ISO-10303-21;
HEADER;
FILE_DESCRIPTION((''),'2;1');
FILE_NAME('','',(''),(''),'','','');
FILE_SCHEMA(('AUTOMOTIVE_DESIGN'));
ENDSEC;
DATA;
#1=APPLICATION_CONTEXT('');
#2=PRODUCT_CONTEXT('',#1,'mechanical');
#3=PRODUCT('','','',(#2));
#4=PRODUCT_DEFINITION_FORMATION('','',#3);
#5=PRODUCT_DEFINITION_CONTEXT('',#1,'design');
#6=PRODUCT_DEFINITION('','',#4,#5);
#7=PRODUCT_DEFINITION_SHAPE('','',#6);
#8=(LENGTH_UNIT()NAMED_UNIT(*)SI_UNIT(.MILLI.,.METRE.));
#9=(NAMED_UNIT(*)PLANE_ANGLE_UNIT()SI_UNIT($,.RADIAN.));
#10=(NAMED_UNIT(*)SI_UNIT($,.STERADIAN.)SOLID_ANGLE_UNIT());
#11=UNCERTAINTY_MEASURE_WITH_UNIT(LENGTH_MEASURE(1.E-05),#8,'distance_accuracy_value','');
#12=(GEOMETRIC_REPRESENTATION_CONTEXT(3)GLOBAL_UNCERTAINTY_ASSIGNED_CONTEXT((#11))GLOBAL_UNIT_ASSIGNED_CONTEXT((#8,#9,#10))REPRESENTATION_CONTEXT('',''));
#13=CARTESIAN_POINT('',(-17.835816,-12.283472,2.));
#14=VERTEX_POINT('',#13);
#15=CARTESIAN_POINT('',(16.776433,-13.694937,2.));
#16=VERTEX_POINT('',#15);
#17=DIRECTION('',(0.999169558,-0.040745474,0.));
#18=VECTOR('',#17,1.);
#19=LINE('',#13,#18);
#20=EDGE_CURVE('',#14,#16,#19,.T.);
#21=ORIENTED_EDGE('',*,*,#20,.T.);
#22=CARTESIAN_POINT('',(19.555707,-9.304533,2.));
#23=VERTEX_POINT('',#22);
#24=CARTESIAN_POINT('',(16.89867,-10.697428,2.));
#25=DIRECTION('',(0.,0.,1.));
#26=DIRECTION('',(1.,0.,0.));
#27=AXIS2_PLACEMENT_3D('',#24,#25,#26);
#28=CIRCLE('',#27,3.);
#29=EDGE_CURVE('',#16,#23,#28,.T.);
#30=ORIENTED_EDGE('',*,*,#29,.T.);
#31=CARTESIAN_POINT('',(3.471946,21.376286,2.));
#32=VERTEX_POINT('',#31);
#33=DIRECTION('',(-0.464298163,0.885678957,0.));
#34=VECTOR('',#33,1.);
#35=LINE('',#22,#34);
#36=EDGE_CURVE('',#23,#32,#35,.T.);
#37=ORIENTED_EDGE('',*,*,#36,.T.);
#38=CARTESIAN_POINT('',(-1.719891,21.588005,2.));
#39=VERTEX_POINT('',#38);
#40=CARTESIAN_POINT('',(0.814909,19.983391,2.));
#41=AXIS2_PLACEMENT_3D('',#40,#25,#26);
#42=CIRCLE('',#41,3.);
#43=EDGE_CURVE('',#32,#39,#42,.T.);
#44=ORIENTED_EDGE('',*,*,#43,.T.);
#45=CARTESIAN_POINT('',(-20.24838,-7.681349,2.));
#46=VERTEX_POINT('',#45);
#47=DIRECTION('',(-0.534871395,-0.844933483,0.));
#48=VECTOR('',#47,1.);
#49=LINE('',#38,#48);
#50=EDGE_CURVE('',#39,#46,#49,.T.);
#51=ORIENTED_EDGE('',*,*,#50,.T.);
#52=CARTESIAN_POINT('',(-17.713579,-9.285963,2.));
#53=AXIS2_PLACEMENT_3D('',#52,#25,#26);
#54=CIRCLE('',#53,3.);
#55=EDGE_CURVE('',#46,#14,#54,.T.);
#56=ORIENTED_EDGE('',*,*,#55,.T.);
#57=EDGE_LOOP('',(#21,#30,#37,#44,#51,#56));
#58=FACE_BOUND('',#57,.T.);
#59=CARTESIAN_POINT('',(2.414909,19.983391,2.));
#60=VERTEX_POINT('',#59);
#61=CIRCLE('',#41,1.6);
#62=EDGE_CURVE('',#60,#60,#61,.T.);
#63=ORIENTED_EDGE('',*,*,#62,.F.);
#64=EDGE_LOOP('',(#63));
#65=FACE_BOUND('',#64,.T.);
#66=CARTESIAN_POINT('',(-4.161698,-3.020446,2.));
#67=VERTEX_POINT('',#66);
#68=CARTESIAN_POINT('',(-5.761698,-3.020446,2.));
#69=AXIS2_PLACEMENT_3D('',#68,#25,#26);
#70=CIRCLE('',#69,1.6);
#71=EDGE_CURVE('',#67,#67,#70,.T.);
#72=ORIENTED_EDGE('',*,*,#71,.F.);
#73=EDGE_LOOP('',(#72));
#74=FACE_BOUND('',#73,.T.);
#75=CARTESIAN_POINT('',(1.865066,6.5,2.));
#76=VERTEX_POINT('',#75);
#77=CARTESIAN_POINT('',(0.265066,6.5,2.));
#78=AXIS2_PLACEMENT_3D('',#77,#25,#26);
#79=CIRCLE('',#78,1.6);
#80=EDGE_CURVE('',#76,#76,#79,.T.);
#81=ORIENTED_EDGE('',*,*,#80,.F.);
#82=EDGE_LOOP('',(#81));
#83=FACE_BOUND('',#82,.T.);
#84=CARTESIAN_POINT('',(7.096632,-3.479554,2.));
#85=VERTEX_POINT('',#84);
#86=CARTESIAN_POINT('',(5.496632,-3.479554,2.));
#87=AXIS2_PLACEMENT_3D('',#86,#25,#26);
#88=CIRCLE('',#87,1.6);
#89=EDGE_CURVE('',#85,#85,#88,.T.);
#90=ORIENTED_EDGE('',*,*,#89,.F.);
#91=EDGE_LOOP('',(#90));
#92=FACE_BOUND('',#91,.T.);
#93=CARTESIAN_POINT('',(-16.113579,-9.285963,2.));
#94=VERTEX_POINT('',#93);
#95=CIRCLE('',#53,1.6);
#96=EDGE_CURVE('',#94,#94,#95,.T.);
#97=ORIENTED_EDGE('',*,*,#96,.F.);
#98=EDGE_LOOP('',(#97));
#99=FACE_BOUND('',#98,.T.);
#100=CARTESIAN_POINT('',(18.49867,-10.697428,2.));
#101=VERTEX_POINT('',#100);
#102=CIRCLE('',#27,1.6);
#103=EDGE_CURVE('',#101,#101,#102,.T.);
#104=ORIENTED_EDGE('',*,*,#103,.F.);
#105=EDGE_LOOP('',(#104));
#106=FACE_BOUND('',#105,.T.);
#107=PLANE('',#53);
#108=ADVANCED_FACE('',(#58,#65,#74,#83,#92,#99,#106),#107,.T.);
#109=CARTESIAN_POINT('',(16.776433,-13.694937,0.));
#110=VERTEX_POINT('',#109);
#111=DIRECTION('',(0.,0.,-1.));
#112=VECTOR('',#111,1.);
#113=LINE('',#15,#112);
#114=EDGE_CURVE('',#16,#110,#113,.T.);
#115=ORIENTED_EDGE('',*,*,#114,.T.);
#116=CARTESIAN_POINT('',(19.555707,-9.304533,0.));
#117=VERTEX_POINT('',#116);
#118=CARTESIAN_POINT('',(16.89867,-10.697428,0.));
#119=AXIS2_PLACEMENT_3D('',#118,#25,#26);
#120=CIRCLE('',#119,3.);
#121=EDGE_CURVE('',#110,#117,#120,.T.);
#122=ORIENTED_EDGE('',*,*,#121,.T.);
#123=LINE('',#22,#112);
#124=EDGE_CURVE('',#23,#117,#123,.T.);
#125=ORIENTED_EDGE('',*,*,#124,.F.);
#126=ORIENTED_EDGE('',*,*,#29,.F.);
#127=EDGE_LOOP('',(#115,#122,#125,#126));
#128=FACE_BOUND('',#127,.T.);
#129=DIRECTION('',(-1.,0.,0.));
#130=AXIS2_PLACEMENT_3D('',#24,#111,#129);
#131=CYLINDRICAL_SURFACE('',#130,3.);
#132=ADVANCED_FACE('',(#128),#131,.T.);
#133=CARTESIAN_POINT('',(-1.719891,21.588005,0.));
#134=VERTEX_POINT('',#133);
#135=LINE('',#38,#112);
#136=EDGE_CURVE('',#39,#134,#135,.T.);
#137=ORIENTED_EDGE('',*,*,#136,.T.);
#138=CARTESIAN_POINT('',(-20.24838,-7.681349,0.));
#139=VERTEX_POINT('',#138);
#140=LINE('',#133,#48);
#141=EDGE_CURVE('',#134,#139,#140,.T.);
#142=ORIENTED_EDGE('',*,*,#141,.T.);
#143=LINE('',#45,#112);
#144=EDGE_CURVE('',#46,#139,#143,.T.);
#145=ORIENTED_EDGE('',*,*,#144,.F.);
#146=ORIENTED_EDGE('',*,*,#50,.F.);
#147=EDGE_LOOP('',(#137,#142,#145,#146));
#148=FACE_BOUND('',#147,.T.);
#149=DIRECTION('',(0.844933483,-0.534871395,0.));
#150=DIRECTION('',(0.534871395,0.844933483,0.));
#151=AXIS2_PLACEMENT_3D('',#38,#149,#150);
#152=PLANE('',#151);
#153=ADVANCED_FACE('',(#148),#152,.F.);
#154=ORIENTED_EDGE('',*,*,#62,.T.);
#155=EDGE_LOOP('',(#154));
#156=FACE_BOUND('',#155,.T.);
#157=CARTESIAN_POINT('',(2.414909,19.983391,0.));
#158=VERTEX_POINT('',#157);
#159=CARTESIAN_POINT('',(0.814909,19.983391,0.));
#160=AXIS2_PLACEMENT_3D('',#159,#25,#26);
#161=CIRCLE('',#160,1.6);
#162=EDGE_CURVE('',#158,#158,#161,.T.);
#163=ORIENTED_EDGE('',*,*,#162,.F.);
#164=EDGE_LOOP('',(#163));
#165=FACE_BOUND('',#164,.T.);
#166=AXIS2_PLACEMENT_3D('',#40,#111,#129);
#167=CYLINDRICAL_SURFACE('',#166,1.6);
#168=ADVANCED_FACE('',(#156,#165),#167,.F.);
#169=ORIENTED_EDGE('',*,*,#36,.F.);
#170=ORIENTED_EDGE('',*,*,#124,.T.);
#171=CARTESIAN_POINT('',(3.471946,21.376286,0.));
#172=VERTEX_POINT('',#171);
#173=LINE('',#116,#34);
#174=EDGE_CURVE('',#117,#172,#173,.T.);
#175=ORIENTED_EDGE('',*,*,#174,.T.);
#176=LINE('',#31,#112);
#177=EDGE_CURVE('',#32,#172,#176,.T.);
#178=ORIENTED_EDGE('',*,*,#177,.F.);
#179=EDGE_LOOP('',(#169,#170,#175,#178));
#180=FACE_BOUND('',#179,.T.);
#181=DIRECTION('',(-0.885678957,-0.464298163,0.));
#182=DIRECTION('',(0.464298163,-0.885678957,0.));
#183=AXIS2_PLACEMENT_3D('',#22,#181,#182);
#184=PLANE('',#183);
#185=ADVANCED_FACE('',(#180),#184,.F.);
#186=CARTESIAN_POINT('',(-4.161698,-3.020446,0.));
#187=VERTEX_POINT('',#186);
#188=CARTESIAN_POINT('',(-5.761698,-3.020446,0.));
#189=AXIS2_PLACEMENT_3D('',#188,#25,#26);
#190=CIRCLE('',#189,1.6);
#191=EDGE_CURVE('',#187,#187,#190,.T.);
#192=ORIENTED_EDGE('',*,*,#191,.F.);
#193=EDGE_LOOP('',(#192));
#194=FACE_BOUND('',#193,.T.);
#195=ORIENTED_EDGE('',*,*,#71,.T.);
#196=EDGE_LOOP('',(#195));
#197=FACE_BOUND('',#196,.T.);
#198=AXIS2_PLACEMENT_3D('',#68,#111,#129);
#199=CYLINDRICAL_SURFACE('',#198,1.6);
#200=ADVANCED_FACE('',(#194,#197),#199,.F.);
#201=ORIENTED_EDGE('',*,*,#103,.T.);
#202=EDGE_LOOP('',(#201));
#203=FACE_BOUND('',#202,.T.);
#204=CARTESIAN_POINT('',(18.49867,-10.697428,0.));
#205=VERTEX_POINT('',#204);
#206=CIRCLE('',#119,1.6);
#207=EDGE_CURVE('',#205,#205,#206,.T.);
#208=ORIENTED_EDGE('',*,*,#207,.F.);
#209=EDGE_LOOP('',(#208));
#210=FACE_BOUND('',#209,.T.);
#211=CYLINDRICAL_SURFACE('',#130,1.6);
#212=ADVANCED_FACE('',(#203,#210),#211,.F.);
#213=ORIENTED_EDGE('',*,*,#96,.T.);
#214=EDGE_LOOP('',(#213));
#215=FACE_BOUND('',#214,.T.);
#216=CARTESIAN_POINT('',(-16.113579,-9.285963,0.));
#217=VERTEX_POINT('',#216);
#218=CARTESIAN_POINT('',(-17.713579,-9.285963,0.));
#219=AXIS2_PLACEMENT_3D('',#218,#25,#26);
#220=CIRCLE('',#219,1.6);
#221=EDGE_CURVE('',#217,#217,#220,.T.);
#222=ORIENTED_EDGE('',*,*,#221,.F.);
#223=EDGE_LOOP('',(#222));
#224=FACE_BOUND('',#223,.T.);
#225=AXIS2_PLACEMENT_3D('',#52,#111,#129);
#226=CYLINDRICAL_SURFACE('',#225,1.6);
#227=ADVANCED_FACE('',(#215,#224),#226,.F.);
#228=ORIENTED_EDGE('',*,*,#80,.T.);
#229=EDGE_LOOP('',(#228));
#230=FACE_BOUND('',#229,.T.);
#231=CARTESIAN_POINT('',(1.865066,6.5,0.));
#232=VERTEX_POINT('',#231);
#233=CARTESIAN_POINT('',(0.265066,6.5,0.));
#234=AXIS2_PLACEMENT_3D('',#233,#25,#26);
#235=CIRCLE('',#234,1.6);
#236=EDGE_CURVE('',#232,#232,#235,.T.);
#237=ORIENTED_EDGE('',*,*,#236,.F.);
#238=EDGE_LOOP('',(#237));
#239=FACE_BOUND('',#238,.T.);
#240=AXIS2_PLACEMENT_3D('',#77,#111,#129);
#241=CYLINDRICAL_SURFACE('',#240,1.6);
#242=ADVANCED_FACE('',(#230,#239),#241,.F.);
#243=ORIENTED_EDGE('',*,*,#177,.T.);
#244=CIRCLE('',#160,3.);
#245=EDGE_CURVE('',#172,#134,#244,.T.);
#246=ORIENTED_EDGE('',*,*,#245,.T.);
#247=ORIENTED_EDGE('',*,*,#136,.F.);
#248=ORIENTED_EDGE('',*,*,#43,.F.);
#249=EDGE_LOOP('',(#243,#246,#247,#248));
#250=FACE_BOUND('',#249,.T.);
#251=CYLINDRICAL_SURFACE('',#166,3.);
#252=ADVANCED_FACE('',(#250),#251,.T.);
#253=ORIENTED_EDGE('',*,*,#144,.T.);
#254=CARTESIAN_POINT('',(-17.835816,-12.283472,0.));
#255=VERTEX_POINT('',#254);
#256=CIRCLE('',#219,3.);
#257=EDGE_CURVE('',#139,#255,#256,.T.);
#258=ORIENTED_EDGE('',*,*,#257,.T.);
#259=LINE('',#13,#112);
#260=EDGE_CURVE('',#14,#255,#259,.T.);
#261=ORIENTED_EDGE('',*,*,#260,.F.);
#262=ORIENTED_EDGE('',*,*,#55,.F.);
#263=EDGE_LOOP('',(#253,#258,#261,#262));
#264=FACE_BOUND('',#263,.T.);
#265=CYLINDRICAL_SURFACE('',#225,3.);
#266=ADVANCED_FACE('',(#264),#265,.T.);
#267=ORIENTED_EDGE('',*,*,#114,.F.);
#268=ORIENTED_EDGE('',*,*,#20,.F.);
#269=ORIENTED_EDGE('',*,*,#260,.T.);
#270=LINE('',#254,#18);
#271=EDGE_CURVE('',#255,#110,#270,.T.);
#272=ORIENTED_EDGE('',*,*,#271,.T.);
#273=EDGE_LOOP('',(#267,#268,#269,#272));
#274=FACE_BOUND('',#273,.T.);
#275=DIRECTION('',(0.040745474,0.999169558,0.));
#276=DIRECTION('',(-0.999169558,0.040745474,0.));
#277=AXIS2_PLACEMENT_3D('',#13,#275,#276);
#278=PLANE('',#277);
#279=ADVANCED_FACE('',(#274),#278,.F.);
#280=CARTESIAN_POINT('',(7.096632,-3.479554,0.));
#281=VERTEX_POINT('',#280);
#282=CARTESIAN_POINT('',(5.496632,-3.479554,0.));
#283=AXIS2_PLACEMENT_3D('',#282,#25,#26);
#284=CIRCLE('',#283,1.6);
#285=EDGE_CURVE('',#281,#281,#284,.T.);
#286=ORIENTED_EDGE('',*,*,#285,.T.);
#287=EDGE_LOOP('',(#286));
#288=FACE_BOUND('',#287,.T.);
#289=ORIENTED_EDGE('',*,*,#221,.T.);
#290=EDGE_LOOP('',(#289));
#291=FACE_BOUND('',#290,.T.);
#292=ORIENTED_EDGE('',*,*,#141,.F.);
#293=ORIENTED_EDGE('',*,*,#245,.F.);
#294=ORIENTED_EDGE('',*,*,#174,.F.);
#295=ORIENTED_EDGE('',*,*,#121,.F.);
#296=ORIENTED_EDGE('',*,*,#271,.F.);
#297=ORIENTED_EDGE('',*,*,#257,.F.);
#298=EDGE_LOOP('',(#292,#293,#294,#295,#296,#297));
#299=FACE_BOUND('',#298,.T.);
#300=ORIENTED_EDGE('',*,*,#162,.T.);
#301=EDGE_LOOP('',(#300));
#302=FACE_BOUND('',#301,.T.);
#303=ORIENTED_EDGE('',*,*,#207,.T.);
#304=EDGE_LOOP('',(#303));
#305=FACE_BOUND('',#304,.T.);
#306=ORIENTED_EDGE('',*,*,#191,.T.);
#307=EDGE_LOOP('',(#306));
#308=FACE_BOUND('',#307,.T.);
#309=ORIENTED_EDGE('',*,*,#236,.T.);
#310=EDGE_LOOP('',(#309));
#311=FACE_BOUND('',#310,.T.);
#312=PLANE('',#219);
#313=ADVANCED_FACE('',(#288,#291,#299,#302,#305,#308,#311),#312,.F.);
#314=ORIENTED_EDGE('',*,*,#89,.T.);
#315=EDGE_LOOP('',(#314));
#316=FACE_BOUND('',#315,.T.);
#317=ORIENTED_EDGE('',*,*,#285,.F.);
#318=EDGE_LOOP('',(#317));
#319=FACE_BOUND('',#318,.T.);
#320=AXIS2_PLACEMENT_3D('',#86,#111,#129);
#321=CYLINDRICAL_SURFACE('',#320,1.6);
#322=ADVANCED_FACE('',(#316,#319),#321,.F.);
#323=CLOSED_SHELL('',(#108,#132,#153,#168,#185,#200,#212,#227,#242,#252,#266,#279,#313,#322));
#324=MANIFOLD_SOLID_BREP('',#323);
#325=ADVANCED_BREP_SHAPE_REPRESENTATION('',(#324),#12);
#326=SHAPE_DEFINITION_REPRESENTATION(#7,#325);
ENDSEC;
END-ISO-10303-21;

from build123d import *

# Parameters (mm, degrees)
SKETCH1_R           = 1.6
BOSS_EXTRUDE1_DEPTH = 2


with BuildPart() as part:
    # Sketch1 → Boss-Extrude1 (new body)
    with BuildSketch(Plane.XY):
        with BuildLine():
            Line((-17.835815571, -12.283471941), (16.776433238, -13.694936576))
            ThreePointArc((16.776433238, -13.694936576), (19.43347011, -12.302042086), (19.555706533, -9.304533411))
            Line((19.555706533, -9.304533411), (3.471946359, 21.376285657))
            ThreePointArc((3.471946359, 21.376285657), (0.93714591, 22.980899842), (-1.719890963, 21.588005352))
            Line((-1.719890963, 21.588005352), (-20.248379597, -7.681349081))
            ThreePointArc((-20.248379597, -7.681349081), (-20.37061602, -10.678857756), (-17.835815571, -12.283471941))
        make_face()
        with Locations((16.898669661, -10.697427901)):
            Circle(SKETCH1_R, mode=Mode.SUBTRACT)
        with Locations((-17.713579148, -9.285963266)):
            Circle(SKETCH1_R, mode=Mode.SUBTRACT)
        with Locations((0.814909487, 19.983391167)):
            Circle(SKETCH1_R, mode=Mode.SUBTRACT)
        with Locations((0.265065705, 6.5)):
            Circle(SKETCH1_R, mode=Mode.SUBTRACT)
        with Locations((-5.761697977, -3.020446366)):
            Circle(SKETCH1_R, mode=Mode.SUBTRACT)
        with Locations((5.496632272, -3.479553634)):
            Circle(SKETCH1_R, mode=Mode.SUBTRACT)
    extrude(amount=BOSS_EXTRUDE1_DEPTH)


solid = part.part
